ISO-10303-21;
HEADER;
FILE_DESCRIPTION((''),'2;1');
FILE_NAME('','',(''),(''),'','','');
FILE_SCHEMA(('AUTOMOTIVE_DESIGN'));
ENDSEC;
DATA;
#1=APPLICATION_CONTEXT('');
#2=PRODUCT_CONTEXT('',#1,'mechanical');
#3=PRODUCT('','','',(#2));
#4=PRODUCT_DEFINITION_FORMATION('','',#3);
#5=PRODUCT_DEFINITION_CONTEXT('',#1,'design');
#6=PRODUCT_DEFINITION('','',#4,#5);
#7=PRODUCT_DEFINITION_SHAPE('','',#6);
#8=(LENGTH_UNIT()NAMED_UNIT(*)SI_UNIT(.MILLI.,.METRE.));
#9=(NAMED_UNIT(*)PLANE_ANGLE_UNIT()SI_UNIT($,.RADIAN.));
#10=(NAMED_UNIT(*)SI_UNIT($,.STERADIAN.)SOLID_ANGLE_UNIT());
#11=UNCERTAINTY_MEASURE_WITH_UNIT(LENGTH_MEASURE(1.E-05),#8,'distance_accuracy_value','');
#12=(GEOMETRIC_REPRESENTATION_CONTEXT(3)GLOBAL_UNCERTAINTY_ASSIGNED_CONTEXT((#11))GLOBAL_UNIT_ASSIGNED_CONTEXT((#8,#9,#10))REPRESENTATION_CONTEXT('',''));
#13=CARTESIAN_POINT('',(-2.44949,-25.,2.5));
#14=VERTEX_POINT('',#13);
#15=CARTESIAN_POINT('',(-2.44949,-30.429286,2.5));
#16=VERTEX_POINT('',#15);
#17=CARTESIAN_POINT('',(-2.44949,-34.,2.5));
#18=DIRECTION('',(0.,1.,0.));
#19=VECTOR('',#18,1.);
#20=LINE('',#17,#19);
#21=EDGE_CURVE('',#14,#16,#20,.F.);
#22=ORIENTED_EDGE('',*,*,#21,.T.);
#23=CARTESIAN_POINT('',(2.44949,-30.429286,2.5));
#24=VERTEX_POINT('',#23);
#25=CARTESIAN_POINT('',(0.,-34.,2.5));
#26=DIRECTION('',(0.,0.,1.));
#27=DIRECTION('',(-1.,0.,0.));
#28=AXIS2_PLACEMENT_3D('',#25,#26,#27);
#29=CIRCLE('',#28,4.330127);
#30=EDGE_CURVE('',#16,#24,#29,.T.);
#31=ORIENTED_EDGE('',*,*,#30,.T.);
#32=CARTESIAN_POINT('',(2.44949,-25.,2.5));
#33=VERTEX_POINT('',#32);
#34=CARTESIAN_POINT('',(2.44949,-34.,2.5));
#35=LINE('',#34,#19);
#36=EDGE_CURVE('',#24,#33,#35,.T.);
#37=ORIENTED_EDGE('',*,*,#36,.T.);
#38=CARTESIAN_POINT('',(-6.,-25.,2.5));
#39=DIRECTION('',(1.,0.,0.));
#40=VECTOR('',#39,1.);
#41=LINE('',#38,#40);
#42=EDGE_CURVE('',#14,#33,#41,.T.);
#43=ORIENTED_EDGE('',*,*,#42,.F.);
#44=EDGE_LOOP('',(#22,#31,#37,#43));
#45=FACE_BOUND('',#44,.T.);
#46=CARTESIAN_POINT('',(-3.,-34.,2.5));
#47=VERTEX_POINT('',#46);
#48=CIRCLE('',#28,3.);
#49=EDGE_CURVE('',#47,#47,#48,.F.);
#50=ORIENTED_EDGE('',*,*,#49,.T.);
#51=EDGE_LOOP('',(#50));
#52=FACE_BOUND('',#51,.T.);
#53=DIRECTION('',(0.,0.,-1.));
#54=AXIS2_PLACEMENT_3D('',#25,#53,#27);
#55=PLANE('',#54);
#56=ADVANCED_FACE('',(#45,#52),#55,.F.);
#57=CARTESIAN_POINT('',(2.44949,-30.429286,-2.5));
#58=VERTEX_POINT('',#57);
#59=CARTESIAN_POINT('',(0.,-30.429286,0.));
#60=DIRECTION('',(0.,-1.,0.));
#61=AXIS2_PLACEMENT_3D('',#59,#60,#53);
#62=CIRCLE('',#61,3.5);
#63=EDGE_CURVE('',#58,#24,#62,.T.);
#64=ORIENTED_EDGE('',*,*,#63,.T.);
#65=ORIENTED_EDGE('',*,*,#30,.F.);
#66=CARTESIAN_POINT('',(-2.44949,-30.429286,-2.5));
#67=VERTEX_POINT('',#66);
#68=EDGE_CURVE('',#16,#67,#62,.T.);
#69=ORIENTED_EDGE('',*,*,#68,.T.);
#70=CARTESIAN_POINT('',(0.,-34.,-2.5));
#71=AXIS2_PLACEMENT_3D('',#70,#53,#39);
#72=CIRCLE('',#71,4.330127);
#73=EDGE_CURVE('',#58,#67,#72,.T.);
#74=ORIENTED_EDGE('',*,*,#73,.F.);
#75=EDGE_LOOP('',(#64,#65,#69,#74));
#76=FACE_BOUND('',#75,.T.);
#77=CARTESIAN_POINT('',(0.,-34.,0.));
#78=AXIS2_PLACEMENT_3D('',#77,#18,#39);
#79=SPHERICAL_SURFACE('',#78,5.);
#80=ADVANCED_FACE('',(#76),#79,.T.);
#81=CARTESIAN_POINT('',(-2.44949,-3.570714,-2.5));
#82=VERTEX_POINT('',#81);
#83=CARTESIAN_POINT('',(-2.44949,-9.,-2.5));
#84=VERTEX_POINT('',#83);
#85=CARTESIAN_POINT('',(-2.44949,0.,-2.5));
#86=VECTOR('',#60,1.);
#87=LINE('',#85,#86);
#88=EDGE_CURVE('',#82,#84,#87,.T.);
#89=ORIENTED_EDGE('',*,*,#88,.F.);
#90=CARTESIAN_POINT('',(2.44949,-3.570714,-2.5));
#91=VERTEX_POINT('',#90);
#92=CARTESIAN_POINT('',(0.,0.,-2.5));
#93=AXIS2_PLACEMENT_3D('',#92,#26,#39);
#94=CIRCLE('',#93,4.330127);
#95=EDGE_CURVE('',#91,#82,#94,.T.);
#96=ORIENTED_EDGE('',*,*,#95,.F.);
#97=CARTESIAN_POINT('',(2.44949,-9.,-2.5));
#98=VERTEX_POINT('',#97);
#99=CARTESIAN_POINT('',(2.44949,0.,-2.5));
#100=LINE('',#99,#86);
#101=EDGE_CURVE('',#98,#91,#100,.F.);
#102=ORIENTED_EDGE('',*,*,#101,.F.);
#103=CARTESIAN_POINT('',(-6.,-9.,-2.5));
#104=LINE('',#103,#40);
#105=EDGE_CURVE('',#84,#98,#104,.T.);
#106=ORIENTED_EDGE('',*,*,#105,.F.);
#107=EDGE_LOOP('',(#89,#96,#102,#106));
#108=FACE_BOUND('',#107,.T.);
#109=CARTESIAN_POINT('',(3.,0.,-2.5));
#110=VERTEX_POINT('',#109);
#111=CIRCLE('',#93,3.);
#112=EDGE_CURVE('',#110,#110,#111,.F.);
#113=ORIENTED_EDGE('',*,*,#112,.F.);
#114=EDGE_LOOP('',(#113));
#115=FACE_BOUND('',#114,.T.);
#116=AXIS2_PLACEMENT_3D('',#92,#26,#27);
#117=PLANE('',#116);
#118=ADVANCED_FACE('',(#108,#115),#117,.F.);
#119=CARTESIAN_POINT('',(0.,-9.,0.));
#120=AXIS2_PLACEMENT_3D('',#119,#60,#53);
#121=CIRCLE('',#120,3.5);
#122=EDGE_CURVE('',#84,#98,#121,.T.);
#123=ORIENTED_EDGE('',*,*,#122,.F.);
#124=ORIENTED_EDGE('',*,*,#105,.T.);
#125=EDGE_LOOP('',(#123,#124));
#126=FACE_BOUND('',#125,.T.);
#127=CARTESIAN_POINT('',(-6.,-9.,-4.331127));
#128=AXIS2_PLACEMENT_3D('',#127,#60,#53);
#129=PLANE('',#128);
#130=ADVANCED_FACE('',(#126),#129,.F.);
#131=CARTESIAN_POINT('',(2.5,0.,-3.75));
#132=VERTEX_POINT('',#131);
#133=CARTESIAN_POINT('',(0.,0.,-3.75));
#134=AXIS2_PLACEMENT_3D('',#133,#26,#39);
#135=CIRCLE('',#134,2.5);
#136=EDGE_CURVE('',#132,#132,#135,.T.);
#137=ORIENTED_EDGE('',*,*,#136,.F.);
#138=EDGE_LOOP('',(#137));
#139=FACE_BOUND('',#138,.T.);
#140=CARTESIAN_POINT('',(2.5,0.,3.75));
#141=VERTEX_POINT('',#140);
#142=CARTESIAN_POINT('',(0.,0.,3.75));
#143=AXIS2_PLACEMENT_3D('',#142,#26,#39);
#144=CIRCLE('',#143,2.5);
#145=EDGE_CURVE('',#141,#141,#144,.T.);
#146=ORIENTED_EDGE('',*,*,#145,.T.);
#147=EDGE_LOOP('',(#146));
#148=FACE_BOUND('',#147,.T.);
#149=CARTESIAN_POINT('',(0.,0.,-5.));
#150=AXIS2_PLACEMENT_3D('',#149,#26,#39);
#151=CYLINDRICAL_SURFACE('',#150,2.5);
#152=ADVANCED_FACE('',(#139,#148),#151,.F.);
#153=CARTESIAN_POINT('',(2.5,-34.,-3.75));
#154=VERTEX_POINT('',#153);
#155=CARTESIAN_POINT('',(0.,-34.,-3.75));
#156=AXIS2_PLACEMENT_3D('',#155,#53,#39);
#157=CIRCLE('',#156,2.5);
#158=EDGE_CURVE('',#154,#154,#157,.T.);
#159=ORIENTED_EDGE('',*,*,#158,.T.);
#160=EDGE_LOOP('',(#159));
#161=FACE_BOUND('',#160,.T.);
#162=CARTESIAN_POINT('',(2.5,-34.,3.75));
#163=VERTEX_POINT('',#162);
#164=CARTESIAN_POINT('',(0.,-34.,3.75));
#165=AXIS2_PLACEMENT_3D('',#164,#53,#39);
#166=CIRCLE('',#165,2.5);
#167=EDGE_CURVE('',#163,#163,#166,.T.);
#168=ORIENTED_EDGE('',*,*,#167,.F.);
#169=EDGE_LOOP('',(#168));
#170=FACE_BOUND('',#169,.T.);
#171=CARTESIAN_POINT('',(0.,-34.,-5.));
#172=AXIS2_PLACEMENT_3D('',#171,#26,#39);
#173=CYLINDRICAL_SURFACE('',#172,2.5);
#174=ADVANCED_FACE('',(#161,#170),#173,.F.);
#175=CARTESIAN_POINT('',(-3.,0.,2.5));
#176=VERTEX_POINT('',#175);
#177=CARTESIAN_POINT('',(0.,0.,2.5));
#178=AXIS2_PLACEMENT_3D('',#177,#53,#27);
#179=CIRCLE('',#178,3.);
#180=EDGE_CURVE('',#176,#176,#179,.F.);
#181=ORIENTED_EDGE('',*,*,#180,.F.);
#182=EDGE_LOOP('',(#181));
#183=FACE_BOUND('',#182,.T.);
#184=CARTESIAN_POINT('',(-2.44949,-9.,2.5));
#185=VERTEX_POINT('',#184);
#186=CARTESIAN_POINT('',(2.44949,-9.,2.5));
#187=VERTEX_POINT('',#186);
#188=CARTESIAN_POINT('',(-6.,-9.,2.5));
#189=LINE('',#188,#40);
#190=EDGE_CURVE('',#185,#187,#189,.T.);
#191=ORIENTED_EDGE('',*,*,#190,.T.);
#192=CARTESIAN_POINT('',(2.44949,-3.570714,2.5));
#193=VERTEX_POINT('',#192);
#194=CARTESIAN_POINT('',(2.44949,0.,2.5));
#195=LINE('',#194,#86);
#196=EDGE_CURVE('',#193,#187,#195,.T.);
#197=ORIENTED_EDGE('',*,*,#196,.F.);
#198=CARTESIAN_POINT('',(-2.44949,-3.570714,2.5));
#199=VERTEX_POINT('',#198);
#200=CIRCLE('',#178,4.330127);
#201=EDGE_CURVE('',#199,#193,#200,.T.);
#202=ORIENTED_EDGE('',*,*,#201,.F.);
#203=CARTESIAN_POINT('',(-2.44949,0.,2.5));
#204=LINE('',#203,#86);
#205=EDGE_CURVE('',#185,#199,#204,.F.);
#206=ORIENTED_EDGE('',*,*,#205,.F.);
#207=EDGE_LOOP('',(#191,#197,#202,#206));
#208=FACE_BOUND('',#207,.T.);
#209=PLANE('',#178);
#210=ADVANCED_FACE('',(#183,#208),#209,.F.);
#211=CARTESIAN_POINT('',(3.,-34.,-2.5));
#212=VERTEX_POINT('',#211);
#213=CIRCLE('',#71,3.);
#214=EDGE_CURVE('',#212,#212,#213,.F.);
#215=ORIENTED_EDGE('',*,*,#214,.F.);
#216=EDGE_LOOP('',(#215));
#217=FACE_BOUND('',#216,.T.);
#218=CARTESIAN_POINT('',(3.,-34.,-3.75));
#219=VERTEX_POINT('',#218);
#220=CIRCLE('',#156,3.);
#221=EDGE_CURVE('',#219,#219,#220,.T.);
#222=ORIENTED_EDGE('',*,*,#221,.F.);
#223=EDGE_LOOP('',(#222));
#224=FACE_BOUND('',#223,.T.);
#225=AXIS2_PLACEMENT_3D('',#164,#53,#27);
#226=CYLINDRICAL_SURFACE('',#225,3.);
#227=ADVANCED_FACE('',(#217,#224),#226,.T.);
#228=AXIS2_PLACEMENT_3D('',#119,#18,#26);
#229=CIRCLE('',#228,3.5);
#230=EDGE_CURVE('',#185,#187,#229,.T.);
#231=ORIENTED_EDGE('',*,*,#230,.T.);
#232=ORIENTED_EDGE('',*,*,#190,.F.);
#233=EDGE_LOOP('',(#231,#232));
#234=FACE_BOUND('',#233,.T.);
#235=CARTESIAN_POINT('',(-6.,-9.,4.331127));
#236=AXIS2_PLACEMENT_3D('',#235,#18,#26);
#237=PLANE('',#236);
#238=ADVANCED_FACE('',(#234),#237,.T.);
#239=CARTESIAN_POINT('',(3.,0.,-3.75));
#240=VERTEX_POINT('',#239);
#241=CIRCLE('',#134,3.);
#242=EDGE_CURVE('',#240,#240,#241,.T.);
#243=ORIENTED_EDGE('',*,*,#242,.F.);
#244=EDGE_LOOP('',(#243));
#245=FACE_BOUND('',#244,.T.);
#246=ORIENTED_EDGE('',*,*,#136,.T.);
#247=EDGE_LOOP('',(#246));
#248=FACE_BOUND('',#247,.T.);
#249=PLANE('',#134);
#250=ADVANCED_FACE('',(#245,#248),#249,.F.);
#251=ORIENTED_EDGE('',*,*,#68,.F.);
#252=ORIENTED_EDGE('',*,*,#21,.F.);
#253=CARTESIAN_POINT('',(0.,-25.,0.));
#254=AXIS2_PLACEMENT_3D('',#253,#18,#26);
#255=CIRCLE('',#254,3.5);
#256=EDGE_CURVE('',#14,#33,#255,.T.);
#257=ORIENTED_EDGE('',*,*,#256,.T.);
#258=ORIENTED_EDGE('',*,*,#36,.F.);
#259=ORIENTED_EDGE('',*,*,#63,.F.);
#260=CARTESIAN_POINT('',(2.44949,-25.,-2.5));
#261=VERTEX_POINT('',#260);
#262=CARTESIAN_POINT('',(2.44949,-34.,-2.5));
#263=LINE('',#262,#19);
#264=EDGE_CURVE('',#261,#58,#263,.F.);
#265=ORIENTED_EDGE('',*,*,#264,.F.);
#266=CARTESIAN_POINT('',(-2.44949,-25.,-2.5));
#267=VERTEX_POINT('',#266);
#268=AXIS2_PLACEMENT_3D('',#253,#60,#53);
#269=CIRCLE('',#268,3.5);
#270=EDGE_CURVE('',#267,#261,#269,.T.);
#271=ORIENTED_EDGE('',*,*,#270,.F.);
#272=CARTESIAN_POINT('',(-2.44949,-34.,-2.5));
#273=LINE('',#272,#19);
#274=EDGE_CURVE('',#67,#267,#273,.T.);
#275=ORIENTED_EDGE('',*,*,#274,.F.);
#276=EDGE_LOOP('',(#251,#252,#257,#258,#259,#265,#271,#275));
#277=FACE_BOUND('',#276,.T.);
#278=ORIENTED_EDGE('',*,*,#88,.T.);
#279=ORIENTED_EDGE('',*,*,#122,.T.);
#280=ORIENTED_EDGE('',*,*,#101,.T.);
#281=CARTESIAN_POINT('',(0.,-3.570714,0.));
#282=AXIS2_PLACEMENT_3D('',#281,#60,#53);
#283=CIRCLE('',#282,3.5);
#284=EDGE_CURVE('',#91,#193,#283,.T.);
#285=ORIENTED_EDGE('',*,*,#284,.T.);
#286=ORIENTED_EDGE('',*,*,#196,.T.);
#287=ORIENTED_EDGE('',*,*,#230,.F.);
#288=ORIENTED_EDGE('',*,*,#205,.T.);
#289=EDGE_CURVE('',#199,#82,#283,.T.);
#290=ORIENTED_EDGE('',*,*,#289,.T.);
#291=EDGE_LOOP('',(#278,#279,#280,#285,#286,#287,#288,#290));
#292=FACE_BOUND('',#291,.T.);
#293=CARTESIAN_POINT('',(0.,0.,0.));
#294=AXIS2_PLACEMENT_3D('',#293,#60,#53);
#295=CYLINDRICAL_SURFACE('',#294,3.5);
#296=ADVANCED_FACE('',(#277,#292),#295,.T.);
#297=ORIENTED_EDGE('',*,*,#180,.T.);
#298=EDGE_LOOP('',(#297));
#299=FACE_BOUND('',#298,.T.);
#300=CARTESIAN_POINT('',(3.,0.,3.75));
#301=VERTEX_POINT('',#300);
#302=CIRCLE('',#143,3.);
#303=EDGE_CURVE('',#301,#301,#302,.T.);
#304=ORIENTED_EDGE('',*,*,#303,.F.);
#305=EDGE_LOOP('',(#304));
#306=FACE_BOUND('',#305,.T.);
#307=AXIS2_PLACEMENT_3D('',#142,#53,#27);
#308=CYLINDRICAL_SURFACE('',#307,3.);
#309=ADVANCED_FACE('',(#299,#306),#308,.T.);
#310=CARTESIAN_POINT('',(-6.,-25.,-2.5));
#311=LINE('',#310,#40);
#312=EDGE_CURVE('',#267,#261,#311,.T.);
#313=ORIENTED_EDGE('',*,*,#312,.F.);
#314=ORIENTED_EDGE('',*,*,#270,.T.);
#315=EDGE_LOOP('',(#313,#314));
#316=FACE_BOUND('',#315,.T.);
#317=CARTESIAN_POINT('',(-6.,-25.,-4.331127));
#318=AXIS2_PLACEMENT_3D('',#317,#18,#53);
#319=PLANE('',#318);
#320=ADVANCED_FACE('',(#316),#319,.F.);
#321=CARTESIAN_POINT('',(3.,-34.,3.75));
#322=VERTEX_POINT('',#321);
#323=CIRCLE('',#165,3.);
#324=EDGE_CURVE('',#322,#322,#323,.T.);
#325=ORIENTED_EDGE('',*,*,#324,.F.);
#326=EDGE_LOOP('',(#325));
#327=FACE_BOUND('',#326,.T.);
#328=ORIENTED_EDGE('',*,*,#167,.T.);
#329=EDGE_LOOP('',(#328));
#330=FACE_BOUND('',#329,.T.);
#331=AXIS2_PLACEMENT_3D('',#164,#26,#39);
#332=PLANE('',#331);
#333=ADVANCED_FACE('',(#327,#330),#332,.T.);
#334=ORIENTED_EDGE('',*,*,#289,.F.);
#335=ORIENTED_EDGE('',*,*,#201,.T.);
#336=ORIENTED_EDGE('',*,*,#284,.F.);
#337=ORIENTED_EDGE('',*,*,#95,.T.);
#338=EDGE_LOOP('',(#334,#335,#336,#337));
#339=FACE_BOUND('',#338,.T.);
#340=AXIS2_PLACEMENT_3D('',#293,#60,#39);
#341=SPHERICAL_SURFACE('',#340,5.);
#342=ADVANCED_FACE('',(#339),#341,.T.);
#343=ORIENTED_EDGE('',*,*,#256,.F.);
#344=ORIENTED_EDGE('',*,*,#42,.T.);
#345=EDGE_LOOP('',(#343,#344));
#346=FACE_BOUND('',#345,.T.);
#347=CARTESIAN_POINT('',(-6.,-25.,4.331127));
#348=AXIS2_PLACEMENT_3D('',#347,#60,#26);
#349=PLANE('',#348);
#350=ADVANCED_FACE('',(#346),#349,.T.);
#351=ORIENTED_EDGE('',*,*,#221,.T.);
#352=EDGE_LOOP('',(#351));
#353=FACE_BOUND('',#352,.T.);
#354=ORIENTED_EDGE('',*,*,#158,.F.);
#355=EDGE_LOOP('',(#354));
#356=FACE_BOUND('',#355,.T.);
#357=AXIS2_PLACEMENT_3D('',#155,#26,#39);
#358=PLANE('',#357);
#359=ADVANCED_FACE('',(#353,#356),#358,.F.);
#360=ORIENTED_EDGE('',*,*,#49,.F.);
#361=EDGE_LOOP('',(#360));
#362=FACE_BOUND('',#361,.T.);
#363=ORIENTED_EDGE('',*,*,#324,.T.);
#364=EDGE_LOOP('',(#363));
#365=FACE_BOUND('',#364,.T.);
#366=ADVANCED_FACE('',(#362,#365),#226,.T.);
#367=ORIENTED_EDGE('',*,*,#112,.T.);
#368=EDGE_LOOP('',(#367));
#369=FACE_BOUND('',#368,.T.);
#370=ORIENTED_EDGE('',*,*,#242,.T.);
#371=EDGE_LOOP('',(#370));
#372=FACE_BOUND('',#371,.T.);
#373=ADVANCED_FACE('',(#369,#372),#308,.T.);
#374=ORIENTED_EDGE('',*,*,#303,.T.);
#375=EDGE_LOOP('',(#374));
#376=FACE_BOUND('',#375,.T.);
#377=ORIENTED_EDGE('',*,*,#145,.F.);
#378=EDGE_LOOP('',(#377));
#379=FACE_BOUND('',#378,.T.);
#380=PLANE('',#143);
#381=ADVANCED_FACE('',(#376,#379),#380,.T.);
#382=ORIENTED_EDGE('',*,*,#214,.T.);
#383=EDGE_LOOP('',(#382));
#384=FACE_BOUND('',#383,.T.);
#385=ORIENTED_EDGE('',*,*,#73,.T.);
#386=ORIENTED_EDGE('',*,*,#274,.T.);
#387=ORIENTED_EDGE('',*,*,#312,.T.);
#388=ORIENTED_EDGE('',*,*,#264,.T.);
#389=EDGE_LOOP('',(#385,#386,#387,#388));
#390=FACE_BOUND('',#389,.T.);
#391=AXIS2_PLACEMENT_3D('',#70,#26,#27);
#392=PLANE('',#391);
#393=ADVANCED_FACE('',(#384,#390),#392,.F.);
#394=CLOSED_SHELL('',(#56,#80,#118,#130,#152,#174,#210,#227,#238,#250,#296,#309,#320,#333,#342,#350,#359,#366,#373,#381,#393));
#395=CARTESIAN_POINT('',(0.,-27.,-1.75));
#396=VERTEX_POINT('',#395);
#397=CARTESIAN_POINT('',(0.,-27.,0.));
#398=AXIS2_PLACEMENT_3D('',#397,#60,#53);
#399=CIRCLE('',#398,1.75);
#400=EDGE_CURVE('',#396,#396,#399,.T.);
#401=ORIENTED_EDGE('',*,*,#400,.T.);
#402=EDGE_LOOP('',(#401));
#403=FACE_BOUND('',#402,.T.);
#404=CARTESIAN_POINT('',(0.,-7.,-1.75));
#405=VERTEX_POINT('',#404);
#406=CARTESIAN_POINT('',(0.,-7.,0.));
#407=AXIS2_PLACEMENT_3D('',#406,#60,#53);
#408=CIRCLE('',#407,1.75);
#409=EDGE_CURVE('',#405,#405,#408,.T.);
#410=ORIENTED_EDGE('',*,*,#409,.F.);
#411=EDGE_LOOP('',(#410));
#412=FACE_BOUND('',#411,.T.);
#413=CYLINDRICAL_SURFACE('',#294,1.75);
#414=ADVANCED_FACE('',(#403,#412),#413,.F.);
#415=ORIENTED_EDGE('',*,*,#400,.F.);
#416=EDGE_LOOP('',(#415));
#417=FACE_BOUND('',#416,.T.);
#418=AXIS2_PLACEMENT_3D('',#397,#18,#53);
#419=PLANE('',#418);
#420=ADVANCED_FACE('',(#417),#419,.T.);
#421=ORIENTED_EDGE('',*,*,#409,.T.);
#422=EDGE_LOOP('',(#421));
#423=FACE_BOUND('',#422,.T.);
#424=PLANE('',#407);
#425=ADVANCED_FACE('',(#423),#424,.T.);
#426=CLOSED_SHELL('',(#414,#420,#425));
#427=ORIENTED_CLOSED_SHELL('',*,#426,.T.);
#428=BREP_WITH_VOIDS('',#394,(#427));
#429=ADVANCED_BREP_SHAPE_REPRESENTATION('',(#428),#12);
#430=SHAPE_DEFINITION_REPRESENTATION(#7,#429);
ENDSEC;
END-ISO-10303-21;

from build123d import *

# Parameters (mm, degrees)
SKETCH2_R               = 2.5
CUT_EXTRUDE1_DEPTH      = 6
CUT_EXTRUDE1_DEPTH_BACK = 6
SKETCH4_W               = 12
SKETCH4_H               = 18
CUT_EXTRUDE2_DEPTH      = 1.830127
SKETCH3_R               = 3
SKETCH3_R_2             = 2.5
EXTRUDE_THIN1_DEPTH     = 3.75


with BuildPart() as part:
    # Sketch1 → Revolve1 (revolve)
    with BuildSketch(Plane.XY):
        with BuildLine():
            Line((0, 0), (0, -7))
            Line((0, -7), (1.75, -7))
            Line((1.75, -7), (1.75, -17))
            Line((1.75, -17), (3.5, -17))
            Line((3.5, -17), (3.5, -3.570714214))
            ThreePointArc((3.5, -3.570714214), (4.628907596, 1.890294809), (0, 5))
            Line((0, 5), (0, 0))
        make_face()
    revolve(axis=Axis((0, 0, 0), (0, 1, 0)))

    # Sketch2 → Cut-Extrude1 (cut, two sides)
    with BuildSketch(Plane.XY) as cut_extrude1_sk:
        Circle(SKETCH2_R)
    extrude(amount=CUT_EXTRUDE1_DEPTH, mode=Mode.SUBTRACT)
    extrude(cut_extrude1_sk.sketch, amount=-CUT_EXTRUDE1_DEPTH_BACK, mode=Mode.SUBTRACT)

    # Sketch4 → Cut-Extrude2 (cut)
    with BuildSketch(Plane.XY.offset(2.5)):
        Rectangle(SKETCH4_W, SKETCH4_H)
    cut_extrude2 = extrude(amount=CUT_EXTRUDE2_DEPTH, mode=Mode.SUBTRACT)

    # Mirror1: Cut-Extrude2 across plane
    add(cut_extrude2.mirror(Plane.XY), mode=Mode.SUBTRACT)

    # Sketch3 → Extrude-Thin1 (add, symmetric)
    with BuildSketch(Plane.XY):
        Circle(SKETCH3_R)
        Circle(SKETCH3_R_2, mode=Mode.SUBTRACT)
    extrude(amount=EXTRUDE_THIN1_DEPTH, both=True)

    # Mirror2: part across plane


with BuildPart() as part_1:
    add(part.part)
    add(part.part.mirror(Plane(origin=(1.75, -17, 0), x_dir=(0, 0, 1), z_dir=(0, -1, 0))))


solid = part_1.part
